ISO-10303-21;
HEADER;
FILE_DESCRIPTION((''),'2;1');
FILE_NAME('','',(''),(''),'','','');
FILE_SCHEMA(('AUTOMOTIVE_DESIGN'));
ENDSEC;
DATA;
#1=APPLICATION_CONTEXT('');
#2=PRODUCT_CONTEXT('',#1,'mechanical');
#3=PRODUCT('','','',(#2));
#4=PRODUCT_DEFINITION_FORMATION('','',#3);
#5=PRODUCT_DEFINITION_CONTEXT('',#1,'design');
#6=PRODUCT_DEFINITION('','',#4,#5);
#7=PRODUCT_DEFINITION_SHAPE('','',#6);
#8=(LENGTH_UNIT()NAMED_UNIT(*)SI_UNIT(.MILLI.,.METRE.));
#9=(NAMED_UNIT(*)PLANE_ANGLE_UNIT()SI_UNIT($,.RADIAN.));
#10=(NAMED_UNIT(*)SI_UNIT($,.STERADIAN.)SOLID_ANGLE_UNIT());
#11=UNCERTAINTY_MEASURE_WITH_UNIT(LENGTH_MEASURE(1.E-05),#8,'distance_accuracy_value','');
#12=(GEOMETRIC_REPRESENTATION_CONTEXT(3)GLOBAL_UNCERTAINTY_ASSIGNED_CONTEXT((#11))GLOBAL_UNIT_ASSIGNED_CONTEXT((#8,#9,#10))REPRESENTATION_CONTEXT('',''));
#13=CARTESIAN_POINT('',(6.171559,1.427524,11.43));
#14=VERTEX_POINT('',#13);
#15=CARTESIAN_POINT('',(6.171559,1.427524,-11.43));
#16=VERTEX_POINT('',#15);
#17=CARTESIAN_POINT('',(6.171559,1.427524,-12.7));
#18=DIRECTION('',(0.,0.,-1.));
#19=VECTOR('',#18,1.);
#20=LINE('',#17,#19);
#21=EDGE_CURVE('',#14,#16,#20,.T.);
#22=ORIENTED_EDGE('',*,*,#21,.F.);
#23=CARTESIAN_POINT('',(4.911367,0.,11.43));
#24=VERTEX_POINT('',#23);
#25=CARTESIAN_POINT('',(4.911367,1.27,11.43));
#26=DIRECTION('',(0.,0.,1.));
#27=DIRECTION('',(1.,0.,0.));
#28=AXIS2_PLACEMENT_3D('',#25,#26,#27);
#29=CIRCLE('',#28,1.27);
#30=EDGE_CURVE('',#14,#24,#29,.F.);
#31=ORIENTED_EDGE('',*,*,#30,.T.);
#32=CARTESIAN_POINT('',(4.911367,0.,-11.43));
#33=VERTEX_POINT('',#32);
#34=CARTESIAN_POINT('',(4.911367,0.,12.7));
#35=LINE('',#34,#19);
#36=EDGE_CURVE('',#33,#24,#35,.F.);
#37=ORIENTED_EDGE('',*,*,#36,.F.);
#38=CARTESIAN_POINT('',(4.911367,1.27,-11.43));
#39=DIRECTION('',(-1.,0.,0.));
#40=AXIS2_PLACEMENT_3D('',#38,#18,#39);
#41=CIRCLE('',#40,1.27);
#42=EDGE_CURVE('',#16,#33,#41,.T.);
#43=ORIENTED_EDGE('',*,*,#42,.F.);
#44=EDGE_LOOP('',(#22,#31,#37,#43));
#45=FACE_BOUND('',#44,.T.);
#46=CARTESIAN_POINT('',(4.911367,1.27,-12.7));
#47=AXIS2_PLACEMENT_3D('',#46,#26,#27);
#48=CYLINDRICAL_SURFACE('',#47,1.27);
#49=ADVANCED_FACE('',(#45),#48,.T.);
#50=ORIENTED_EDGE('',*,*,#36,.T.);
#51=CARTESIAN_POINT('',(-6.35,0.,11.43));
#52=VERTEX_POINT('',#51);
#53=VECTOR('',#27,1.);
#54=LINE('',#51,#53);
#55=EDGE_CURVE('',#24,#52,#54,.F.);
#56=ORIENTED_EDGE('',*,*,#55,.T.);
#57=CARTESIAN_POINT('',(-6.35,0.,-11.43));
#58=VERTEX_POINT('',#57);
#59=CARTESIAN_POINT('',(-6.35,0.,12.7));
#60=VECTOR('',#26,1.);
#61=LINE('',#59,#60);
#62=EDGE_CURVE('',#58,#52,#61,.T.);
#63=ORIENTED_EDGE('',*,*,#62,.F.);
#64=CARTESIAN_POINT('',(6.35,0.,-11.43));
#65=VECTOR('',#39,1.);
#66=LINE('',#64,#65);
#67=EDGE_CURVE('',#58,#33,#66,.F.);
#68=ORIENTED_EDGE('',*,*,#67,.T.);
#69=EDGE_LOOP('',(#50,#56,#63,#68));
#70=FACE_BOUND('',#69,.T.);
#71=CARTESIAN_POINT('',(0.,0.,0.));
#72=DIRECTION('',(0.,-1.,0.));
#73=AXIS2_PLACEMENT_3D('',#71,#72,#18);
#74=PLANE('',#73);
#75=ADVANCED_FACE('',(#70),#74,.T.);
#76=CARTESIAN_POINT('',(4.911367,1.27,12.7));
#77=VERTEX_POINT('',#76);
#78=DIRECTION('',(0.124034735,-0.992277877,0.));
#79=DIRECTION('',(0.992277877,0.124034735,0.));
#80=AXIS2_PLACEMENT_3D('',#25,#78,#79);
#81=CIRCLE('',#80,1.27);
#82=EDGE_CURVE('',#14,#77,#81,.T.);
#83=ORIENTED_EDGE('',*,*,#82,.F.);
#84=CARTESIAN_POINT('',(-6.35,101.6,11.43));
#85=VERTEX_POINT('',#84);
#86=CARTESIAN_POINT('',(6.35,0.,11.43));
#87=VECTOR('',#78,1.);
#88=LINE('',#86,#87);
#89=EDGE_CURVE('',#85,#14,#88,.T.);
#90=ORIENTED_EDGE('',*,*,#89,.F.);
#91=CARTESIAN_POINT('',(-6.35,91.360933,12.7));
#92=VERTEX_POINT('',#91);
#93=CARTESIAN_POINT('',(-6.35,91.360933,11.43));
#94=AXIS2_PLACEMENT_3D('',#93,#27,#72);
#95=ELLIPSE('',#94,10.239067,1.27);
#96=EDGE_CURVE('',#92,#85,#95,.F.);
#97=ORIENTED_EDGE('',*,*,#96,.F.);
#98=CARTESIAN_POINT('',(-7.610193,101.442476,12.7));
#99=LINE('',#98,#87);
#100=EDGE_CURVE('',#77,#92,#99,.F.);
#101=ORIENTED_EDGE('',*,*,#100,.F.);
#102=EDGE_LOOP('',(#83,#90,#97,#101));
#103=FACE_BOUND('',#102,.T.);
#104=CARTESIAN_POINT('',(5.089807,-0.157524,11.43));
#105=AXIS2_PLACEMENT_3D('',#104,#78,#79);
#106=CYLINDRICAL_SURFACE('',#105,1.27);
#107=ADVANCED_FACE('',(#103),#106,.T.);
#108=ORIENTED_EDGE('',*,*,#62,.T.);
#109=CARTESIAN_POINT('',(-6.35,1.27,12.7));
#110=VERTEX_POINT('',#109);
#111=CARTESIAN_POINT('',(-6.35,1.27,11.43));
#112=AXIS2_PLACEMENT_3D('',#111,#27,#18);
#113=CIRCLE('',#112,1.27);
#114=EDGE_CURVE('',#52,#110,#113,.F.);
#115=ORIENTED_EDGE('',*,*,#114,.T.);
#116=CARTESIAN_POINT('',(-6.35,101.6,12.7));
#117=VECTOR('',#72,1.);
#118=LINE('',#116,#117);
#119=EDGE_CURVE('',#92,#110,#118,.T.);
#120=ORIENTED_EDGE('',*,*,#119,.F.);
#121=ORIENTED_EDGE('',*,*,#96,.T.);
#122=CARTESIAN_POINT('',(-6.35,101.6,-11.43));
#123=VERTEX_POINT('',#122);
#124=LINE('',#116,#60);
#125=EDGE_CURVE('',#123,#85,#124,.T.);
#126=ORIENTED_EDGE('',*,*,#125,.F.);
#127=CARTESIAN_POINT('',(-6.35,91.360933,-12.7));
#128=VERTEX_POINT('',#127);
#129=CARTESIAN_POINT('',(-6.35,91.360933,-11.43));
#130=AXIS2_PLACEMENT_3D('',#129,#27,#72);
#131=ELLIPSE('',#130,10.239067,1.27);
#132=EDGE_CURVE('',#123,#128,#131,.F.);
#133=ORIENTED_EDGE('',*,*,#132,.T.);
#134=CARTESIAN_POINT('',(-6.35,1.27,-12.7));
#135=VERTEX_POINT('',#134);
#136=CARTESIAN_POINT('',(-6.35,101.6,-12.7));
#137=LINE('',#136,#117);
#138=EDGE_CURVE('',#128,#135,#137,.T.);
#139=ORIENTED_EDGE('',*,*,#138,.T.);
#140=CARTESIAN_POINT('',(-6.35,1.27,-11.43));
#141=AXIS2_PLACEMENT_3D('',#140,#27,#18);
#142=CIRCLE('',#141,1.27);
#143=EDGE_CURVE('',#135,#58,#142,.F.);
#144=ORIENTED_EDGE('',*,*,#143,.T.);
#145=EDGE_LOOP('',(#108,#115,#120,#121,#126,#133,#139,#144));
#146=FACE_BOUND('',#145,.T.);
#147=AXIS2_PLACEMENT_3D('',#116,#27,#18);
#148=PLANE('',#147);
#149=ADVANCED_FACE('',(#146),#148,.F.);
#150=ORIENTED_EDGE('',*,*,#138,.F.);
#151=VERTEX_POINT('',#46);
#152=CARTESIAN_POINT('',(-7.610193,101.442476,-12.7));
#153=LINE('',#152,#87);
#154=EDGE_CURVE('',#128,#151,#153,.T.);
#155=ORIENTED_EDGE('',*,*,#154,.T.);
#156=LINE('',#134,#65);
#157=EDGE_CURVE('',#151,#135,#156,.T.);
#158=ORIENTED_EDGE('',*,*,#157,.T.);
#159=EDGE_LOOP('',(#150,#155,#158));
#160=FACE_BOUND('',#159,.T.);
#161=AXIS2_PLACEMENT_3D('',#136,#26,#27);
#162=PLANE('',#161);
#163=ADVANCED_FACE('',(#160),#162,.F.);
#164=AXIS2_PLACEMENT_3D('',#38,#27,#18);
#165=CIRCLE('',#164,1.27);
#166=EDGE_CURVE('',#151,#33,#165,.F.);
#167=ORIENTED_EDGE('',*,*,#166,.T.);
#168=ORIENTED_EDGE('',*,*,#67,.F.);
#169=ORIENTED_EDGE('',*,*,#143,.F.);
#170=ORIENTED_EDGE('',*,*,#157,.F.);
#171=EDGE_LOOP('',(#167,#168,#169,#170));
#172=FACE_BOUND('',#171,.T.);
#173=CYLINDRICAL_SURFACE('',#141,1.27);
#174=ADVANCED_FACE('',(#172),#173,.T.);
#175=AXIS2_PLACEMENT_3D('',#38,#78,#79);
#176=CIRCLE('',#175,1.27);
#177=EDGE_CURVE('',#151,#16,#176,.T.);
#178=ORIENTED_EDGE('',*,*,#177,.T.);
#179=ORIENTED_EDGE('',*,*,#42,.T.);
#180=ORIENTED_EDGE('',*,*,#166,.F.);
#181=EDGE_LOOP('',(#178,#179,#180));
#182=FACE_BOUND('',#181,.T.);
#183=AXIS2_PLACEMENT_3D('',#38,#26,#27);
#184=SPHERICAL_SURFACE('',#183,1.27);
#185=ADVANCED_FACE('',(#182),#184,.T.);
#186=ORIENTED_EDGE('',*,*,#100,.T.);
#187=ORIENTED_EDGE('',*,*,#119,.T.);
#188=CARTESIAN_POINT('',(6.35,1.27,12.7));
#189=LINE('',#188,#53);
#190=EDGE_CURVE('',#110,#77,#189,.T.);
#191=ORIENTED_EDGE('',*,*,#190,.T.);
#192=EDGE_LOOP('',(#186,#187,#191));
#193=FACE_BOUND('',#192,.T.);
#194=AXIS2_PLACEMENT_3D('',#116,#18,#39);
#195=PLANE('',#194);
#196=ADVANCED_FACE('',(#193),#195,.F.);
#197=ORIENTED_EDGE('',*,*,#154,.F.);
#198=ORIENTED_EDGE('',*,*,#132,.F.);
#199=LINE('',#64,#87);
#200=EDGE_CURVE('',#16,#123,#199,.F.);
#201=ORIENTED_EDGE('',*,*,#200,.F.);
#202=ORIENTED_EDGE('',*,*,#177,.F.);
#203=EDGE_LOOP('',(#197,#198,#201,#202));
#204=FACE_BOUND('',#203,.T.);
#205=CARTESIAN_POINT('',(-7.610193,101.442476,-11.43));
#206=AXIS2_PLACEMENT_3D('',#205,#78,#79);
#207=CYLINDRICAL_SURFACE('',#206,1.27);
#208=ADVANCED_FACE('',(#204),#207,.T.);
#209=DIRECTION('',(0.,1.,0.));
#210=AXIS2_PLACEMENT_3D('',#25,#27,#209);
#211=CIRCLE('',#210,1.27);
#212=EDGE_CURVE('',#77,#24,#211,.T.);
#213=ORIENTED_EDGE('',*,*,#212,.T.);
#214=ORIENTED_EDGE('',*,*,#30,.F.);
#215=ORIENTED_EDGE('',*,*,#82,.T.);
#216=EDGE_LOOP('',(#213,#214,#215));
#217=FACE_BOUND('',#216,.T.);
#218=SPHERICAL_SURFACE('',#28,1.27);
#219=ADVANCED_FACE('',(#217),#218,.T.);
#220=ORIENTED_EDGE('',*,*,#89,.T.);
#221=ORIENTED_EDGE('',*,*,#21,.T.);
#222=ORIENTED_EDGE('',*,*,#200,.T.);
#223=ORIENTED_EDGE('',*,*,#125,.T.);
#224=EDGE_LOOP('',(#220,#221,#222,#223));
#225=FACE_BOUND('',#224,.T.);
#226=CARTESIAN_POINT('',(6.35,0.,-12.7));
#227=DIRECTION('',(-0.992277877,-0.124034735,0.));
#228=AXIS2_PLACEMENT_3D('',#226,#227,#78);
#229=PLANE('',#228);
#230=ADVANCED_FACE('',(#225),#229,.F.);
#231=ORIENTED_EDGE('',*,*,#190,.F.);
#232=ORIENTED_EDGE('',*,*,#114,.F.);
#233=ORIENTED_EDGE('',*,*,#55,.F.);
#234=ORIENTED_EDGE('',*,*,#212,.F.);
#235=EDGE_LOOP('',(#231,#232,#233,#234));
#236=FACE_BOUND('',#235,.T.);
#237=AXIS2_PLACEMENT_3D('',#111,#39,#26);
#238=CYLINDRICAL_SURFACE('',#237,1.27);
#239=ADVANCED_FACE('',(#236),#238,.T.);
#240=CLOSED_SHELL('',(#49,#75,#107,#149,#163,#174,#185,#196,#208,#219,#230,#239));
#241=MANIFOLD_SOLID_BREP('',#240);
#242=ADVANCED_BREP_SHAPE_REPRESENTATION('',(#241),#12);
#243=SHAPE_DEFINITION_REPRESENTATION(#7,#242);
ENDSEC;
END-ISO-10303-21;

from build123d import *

# Parameters (mm, degrees)
SKETCH1_W           = 12.7
SKETCH1_H           = 25.4
BOSS_EXTRUDE1_DEPTH = 101.6
CUT_EXTRUDE1_DEPTH  = 105.919218926
FILLET1_R           = 1.27


with BuildPart() as part:
    # Sketch1 → Boss-Extrude1 (new body)
    with BuildSketch(Plane(origin=(0, 0, 0), x_dir=(1, 0, 0), z_dir=(0, 1, 0))):
        Rectangle(SKETCH1_W, SKETCH1_H)
    extrude(amount=BOSS_EXTRUDE1_DEPTH)

    # Sketch2 → Cut-Extrude1 (cut, through all)
    with BuildSketch(Plane.XY.offset(12.7)):
        Polygon((6.35, 0), (-6.35, 101.6), (6.35, 101.6), align=None)
    extrude(amount=-CUT_EXTRUDE1_DEPTH, mode=Mode.SUBTRACT)

    # Fillet1
    fillet1_edges = [part.edges().sort_by_distance(p)[0] for p in [
        (0, 50.8, -12.7),
        (0, 50.8, 12.7),
        (0, 0, 12.7),
        (0, 0, -12.7),
        (6.35, 0, 0),
    ]]
    fillet(fillet1_edges, radius=FILLET1_R)


solid = part.part
